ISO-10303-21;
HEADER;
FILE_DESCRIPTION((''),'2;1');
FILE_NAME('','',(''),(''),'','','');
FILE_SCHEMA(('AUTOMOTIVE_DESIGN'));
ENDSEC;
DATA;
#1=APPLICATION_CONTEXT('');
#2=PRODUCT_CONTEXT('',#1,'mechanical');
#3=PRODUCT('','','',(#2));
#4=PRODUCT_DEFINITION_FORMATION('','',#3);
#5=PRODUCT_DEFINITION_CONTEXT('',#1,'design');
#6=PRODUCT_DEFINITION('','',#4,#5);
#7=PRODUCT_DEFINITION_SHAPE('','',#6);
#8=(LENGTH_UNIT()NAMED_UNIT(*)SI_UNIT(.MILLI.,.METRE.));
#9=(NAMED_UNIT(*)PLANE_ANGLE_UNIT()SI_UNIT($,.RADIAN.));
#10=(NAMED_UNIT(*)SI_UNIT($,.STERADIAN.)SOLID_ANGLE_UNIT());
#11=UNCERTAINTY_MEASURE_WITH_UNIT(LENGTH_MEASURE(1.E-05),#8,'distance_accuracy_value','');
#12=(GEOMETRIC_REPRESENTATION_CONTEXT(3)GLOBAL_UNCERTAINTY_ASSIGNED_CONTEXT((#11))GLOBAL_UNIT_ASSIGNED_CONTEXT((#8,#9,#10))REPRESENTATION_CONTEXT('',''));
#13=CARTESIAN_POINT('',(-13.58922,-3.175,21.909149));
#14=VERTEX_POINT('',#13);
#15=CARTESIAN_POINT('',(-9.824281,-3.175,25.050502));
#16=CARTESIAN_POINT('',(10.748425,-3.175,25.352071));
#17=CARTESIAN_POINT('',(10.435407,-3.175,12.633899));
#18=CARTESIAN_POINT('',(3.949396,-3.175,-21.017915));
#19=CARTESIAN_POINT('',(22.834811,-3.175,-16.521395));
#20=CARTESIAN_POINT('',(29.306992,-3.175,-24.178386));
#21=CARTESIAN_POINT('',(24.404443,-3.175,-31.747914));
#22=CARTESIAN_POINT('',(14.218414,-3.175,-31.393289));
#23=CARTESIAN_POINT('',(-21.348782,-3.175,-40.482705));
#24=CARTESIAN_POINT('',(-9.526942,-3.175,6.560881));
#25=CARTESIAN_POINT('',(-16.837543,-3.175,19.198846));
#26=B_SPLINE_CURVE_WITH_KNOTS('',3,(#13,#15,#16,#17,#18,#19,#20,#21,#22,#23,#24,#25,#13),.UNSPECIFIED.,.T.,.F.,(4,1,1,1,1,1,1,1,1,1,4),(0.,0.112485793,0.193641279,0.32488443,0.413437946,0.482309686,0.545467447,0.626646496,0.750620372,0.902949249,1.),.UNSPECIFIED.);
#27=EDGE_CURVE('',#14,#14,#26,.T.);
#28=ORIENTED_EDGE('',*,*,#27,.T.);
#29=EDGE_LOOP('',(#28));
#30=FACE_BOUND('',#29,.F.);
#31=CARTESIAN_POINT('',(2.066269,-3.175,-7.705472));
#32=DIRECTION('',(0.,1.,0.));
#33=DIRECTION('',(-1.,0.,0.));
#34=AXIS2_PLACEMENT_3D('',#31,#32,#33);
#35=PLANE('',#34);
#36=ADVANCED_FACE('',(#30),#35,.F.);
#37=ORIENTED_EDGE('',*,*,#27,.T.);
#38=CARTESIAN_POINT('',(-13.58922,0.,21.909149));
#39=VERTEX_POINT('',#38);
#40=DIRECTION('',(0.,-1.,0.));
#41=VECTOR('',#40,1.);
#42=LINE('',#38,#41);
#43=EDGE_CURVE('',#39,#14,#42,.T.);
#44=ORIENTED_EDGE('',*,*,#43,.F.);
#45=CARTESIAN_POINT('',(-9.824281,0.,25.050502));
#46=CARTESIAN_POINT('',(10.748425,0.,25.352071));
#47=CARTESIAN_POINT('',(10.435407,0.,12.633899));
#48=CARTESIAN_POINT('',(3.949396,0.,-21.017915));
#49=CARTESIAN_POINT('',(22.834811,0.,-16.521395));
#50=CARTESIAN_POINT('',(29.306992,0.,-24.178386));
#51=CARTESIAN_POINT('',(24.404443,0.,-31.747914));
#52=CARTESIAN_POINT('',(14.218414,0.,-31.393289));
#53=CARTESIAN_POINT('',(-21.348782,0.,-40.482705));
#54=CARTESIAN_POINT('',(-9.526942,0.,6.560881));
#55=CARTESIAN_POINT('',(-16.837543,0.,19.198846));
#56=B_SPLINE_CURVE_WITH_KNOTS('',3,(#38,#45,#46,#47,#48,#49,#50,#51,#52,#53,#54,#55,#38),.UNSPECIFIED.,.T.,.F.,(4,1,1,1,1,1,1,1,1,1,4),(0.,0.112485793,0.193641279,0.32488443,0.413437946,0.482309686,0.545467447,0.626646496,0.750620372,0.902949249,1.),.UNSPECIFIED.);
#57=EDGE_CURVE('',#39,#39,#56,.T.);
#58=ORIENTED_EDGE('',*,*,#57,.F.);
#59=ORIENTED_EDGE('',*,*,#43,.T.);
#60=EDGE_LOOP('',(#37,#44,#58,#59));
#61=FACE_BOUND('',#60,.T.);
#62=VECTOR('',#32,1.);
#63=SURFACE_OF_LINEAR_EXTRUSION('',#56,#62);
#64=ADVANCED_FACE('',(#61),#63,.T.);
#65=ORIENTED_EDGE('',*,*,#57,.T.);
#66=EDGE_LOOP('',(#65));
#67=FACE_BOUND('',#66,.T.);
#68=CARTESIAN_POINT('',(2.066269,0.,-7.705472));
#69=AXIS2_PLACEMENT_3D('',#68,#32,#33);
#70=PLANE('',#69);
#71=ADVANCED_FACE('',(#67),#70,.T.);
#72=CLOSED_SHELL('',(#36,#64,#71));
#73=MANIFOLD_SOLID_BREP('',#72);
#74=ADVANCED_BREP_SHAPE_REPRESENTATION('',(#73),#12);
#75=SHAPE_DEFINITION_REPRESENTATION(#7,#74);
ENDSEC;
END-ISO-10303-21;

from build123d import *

# Parameters (mm, degrees)
F1_DEPTH = 3.175


with BuildPart() as f1:
    # F0 (on Front) → F1 (new body)
    with BuildSketch(Plane.XZ):
        with BuildLine():
            add(Edge.make_bspline(
                [(-13.5892201215, 21.9091493636), (-9.8242808627, 25.0505015067), (10.7484245667, 25.3520708377), (10.4354067752, 12.633899366), (3.9493959126, -21.0179151032), (22.8348112862, -16.5213945349), (29.3069919221, -24.1783861282), (24.4044426728, -31.7479143728), (14.2184139458, -31.393288779), (-21.3487820944, -40.4827050399), (-9.5269419865, 6.5608806566), (-16.8375430692, 19.1988463411), (-13.5892201215, 21.9091493636)],
                knots=[0, 0, 0, 0, 0.1124857931, 0.1936412794, 0.3248844299, 0.4134379459, 0.4823096859, 0.5454674474, 0.6266464964, 0.7506203724, 0.9029492489, 1, 1, 1, 1], degree=3))
        make_face()
    extrude(amount=F1_DEPTH)


solid = f1.part
